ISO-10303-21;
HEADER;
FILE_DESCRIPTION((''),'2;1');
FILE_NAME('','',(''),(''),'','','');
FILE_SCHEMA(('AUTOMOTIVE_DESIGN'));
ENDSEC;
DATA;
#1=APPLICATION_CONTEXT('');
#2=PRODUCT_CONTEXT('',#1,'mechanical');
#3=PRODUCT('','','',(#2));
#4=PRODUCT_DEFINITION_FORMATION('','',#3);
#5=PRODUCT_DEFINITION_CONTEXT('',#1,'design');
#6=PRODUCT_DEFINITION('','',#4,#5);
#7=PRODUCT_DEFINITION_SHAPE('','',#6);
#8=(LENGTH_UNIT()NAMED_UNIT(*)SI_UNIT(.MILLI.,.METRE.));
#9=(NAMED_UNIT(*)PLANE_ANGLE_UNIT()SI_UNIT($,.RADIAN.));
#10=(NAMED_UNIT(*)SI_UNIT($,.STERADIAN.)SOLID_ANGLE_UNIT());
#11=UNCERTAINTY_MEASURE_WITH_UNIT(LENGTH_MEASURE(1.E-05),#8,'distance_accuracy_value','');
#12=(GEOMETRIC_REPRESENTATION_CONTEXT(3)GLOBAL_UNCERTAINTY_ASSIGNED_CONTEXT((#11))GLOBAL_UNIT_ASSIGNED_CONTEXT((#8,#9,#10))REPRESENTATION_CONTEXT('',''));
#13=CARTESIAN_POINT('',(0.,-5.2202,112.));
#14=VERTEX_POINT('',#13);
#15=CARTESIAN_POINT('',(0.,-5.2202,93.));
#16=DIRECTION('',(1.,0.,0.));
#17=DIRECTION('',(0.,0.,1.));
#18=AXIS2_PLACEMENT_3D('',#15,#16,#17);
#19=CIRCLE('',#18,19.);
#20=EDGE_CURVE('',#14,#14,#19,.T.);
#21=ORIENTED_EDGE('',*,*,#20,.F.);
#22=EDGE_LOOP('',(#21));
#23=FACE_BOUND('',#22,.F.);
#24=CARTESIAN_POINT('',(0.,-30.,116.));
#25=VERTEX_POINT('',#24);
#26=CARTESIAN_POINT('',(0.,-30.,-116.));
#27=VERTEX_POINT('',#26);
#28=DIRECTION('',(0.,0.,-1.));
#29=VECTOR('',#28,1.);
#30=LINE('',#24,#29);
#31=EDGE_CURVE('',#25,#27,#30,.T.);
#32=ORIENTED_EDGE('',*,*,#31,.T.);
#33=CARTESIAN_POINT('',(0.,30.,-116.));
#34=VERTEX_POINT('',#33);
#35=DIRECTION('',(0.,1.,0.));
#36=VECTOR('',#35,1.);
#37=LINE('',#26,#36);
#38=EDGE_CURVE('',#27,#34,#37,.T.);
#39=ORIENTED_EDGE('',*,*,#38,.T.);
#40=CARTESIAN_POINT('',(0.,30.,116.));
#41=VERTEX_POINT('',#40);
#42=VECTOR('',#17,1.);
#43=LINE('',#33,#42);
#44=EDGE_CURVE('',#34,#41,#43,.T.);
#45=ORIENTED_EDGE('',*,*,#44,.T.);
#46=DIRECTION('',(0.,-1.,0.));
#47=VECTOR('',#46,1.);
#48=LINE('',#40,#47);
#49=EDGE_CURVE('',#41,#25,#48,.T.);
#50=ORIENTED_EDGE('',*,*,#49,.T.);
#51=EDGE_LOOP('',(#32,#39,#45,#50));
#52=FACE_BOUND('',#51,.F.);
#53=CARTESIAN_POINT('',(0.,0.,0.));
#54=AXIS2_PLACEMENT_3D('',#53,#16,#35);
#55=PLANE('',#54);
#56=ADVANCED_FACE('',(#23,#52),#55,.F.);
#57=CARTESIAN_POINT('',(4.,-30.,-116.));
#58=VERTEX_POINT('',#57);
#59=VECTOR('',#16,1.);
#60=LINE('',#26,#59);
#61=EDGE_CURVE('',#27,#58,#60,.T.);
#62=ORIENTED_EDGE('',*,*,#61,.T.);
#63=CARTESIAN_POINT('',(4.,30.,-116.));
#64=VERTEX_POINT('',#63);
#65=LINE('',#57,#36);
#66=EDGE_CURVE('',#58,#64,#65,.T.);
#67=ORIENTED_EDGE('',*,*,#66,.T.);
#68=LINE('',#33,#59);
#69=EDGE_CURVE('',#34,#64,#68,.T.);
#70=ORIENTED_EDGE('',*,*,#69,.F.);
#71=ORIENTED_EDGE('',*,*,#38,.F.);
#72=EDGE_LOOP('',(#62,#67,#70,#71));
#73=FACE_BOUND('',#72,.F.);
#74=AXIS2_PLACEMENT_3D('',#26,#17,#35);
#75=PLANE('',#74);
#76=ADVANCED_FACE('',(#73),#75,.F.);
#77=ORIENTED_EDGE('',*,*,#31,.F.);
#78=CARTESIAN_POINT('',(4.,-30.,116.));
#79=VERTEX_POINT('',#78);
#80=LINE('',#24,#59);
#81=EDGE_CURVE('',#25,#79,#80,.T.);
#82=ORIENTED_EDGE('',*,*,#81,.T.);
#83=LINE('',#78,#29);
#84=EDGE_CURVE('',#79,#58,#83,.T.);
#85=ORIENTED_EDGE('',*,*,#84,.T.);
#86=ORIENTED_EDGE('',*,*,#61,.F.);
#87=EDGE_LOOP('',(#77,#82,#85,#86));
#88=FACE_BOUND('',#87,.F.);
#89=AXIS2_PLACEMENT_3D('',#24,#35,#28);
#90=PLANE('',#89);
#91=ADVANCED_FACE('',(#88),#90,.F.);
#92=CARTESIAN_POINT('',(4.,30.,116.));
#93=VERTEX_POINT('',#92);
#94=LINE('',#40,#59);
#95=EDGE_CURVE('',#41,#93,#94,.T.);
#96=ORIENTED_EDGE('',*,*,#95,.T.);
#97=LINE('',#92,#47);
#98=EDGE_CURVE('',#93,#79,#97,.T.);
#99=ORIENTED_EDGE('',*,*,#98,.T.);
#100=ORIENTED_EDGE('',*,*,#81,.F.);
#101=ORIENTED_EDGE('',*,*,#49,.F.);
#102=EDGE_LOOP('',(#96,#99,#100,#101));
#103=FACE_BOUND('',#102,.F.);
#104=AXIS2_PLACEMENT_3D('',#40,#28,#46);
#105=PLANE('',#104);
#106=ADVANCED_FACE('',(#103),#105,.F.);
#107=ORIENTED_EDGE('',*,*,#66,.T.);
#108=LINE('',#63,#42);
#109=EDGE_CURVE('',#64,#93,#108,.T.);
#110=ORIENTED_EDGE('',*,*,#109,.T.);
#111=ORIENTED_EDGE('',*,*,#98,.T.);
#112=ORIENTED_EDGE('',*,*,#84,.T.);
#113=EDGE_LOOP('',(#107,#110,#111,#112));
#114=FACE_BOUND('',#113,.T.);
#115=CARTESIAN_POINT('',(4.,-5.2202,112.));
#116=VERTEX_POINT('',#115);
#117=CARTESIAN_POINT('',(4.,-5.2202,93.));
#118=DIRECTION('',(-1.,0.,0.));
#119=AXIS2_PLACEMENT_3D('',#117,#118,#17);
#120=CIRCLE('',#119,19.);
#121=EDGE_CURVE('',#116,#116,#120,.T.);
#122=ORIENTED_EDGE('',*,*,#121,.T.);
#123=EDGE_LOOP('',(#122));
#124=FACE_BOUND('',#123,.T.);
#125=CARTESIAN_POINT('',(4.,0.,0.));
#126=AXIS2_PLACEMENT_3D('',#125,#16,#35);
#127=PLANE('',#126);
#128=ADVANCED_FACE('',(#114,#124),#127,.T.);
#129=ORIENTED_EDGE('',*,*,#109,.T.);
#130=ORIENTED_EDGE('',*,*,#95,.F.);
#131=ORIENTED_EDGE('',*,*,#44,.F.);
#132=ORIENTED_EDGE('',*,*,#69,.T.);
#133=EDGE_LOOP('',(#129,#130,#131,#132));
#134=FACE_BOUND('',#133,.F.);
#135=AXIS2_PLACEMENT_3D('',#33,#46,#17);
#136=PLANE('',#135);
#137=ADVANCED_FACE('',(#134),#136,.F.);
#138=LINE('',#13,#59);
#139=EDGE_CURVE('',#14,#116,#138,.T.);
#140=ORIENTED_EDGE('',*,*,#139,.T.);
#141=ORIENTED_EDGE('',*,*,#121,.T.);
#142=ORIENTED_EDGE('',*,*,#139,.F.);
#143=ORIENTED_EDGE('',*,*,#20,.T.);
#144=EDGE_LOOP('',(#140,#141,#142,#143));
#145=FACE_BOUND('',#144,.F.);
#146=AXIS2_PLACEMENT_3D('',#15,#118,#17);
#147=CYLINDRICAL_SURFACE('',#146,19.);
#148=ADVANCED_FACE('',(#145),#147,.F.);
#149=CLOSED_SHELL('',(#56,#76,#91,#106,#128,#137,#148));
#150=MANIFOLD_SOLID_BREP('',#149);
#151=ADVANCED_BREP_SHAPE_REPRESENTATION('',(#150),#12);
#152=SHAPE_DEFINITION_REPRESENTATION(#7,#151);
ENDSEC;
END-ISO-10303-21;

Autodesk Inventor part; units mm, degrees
ref_plane "YZ Plane" through (0, 0, 0) normal (1, 0, 0) x (0, 1, 0)
ref_plane "XZ Plane" through (0, 0, 0) normal (0, 1, 0) x (-1, 0, 0)
ref_plane "XY Plane" through (0, 0, 0) normal (0, 0, 1) x (1, 0, 0)
sketch "Sketch1" plane through (0, 0, 0) normal (1, 0, 0) x (0, 1, 0)
  line L0 (30, 116) -> (-30, 116)
  line L1 (-30, 116) -> (-30, -116)
  line L2 (-30, -116) -> (30, -116)
  line L3 (30, -116) -> (30, 116)
  line L4 (30, 116) -> (-30, -116) construction
  line L5 (-30, 116) -> (30, -116) construction
  point P0 (0, 0)
  dimension "d0" = 232
  dimension "d1" = 60
extrude "Extrusion1" add sketch "Sketch1" along normal blind 4
sketch "Sketch2" plane through (0, 0, 0) normal (-1, 0, 0) x (0, 0, 1)
  circle A0 centre (93, -5.2202) radius 19
  line L0 (112, -25.969) -> (-112, -6.2204) projected
  line L1 (112, -30) -> (112, 162) projected
  line L2 (74, 13.7798) -> (74, -22.6188)
  line L3 (74, 13.7798) -> (112, 13.7798)
  point P0 (0, 0)
  point P1 (93, 13.7798)
  point P2 (74, -5.2202)
  point P3 (112, -5.2202)
  point P4 (91.3314, -24.1468)
  dimension "d4" = 38
extrude "Extrusion2" cut sketch "Sketch2" along normal mid plane 10 contours A0
equation "\"d4\" = pipe_innerDiameter"
equation "\"pipe_innerDiameter\" = 38"
properties part number "TorraumFrontKlein"
